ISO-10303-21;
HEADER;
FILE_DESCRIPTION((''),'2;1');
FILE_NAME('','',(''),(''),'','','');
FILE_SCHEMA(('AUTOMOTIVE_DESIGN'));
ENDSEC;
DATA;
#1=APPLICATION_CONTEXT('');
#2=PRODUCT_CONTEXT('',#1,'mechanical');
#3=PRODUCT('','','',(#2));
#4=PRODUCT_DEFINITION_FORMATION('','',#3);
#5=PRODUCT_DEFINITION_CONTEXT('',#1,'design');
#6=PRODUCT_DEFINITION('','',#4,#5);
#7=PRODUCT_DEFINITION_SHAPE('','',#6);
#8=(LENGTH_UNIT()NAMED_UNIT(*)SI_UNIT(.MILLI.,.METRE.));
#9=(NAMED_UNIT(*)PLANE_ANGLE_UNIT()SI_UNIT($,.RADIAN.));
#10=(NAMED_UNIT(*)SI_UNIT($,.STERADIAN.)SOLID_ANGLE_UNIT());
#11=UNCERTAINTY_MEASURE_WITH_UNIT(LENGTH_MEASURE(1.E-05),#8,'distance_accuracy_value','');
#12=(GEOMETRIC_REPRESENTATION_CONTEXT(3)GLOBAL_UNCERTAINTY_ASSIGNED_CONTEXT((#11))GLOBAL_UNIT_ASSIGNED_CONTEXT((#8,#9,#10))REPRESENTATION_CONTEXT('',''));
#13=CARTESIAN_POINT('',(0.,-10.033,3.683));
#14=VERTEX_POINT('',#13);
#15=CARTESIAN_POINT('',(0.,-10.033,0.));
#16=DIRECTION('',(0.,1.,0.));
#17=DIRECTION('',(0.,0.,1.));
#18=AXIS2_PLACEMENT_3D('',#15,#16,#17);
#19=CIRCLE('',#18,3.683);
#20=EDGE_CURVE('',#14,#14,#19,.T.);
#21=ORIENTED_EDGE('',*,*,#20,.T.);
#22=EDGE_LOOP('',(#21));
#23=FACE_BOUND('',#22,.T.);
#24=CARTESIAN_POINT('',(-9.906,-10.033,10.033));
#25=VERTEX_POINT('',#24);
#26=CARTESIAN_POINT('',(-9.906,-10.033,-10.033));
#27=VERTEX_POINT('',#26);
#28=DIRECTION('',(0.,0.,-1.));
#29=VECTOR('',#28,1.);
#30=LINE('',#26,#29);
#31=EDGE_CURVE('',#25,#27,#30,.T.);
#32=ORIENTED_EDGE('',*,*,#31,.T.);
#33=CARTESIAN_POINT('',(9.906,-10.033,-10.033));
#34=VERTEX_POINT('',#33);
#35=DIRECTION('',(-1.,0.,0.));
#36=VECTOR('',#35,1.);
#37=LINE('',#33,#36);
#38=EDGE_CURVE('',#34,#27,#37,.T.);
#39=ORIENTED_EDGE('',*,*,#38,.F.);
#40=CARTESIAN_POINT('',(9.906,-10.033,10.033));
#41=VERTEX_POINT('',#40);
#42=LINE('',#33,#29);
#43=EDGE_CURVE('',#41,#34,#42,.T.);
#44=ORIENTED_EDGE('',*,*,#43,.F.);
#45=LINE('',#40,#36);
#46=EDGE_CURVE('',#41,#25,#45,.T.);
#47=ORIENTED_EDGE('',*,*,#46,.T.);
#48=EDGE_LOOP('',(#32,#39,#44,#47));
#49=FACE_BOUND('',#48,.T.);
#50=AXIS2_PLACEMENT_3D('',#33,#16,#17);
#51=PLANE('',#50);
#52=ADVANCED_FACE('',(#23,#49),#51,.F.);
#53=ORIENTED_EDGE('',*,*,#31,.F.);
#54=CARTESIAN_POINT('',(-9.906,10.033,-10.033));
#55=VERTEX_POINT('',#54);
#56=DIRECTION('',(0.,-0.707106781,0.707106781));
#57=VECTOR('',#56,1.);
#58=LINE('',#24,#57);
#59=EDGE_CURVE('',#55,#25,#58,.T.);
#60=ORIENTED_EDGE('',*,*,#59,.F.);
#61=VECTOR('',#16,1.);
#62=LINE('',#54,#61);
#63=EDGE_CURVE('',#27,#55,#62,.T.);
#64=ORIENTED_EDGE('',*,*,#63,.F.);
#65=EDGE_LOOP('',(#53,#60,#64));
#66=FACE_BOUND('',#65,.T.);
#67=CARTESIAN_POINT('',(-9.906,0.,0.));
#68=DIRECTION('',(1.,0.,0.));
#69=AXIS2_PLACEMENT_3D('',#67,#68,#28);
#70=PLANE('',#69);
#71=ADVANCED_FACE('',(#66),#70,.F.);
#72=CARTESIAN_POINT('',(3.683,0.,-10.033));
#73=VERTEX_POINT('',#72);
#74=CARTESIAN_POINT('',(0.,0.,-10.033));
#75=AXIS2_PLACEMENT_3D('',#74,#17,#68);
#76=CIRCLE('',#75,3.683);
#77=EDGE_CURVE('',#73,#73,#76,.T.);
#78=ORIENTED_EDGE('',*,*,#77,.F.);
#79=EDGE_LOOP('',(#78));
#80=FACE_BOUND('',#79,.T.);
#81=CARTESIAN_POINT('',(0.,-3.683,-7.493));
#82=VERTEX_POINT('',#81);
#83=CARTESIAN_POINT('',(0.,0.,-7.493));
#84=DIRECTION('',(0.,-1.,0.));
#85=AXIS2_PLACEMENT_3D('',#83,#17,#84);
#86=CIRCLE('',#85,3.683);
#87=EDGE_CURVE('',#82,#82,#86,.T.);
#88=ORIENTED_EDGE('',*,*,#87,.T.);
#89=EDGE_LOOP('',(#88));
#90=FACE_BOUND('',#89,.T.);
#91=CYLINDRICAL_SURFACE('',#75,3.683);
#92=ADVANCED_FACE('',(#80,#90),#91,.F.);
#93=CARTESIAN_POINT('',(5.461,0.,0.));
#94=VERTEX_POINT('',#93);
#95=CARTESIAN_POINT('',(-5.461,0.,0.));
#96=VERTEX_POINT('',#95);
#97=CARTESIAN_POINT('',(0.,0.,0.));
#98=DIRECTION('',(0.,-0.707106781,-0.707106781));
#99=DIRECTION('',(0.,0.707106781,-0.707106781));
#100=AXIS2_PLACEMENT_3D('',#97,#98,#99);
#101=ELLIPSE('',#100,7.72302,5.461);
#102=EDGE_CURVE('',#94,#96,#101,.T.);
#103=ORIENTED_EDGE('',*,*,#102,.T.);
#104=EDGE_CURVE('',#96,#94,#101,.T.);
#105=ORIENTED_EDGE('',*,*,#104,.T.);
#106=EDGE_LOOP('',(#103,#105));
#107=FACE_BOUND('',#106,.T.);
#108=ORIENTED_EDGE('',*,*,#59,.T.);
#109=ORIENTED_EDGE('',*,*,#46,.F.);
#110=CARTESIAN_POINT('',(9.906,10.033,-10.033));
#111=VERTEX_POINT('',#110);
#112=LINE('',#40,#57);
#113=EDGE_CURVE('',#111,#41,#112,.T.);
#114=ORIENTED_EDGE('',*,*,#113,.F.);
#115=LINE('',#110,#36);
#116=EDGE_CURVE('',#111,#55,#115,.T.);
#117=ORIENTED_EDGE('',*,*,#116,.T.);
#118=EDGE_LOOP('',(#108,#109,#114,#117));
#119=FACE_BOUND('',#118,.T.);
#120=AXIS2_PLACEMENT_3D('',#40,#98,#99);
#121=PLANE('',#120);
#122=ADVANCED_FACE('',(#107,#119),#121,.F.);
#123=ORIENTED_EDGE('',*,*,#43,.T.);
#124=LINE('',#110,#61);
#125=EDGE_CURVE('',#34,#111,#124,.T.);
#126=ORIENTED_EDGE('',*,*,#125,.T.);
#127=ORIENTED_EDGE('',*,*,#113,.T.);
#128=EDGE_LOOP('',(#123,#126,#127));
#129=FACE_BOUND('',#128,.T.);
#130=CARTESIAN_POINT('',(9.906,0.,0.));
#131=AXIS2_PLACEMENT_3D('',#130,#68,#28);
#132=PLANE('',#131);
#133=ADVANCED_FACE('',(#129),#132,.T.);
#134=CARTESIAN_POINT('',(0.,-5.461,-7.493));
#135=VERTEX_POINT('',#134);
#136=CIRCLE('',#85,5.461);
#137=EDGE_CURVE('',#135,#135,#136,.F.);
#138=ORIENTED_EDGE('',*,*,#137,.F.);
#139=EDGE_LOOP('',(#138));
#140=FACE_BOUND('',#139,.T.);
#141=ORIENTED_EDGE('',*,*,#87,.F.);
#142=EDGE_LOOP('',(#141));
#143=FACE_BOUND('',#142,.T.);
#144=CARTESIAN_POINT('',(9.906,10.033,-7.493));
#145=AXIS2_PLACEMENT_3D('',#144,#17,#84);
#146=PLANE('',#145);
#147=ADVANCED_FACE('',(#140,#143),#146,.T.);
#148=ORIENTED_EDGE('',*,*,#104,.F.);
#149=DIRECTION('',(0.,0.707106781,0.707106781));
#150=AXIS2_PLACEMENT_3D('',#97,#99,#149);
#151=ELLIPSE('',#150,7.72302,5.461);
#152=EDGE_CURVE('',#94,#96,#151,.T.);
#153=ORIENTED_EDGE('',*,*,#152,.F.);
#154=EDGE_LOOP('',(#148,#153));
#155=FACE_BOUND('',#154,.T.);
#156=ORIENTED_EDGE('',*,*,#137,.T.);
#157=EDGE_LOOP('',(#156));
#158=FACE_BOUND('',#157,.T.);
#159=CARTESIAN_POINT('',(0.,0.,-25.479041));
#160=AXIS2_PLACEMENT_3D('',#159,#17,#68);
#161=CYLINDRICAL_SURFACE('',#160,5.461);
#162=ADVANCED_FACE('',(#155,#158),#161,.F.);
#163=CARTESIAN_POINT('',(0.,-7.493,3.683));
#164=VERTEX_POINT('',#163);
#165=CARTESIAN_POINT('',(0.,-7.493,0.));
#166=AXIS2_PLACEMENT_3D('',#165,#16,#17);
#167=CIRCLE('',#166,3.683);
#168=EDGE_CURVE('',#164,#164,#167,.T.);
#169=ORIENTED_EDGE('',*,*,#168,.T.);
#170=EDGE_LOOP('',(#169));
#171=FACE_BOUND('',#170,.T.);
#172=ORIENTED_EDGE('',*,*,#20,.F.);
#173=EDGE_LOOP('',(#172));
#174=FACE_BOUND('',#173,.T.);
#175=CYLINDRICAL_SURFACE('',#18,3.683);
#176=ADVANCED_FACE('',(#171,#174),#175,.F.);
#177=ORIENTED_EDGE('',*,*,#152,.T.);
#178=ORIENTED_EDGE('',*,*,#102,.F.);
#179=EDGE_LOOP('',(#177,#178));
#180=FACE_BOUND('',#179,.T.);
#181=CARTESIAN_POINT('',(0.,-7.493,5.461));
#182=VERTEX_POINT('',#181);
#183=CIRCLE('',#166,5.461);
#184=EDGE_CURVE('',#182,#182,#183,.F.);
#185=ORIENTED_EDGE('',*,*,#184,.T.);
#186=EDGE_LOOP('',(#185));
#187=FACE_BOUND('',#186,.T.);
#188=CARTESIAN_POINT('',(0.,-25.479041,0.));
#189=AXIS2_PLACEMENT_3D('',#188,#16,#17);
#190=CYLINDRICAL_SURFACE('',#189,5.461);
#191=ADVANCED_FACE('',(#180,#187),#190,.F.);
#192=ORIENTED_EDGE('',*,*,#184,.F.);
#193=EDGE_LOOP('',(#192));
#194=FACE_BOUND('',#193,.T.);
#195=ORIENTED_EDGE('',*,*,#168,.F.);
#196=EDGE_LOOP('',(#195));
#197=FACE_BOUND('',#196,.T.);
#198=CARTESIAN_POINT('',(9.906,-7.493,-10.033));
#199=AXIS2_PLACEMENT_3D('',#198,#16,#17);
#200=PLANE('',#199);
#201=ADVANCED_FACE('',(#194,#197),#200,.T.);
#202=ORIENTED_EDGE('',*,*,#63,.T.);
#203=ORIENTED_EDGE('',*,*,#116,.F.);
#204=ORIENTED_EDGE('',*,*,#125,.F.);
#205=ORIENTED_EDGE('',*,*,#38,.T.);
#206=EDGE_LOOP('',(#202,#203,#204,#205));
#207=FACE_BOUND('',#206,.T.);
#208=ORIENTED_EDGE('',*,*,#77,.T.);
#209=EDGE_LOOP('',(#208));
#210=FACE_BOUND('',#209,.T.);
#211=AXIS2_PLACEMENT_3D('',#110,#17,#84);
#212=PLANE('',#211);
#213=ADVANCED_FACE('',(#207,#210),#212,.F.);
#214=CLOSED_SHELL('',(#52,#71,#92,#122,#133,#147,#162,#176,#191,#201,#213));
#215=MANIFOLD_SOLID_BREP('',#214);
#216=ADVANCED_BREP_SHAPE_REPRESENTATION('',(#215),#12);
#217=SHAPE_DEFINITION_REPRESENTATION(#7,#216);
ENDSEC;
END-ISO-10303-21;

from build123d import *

# Parameters (mm, degrees)
BOSS_EXTRUDE1_DEPTH     = 9.906
CUT_EXTRUDE1_DEPTH      = 18.304652958
CUT_EXTRUDE1_DEPTH_BACK = 7.493
SKETCH2_R               = 5.461
SKETCH2_R_2             = 3.683
SKETCH2_3_R             = 3.683
CUT_EXTRUDE2_DEPTH      = 18.304652958
SKETCH3_R               = 5.461
SKETCH3_R_2             = 3.683
CUT_EXTRUDE3_DEPTH      = 7.493
SKETCH3_4_R             = 3.683
CUT_EXTRUDE4_DEPTH      = 18.304652958


with BuildPart() as part:
    # Sketch1 → Boss-Extrude1 (new, symmetric)
    with BuildSketch(Plane(origin=(0, 0, 0), x_dir=(0, 0, -1), z_dir=(1, 0, 0))):
        Polygon((-10.033, -10.033), (10.033, 10.033), (10.033, -10.033), align=None)
    extrude(amount=BOSS_EXTRUDE1_DEPTH, both=True)

    # Sketch2 → Cut-Extrude1 (cut, two sides: drawn at the far end of the back side and taken through both)
    # profile 1 of 2: a face of its own
    with BuildSketch(Plane(origin=(0, 0, 0), x_dir=(1, 0, 0), z_dir=(0, 1, 0)).offset(-CUT_EXTRUDE1_DEPTH_BACK)):
        with Locations(Location((0, 0, 0), (0, 0, 270))):
            Circle(SKETCH2_R)
        Circle(SKETCH2_R_2, mode=Mode.SUBTRACT)
    # profile 2 of 2: a face of its own
    with BuildSketch(Plane(origin=(0, 0, 0), x_dir=(1, 0, 0), z_dir=(0, 1, 0)).offset(-CUT_EXTRUDE1_DEPTH_BACK)):
        Circle(SKETCH2_R_2)
    extrude(amount=CUT_EXTRUDE1_DEPTH + CUT_EXTRUDE1_DEPTH_BACK, mode=Mode.SUBTRACT)

    # Sketch2<3> → Cut-Extrude2 (cut, through all)
    with BuildSketch(Plane(origin=(0, 0, 0), x_dir=(1, 0, 0), z_dir=(0, 1, 0))):
        with Locations(Location((0, 0, 0), (0, 0, 270))):
            Circle(SKETCH2_3_R)
    extrude(amount=-CUT_EXTRUDE2_DEPTH, mode=Mode.SUBTRACT)

    # Sketch3 → Cut-Extrude3 (cut)
    # profile 1 of 2: a face of its own
    with BuildSketch(Plane.XY):
        Circle(SKETCH3_R)
        Circle(SKETCH3_R_2, mode=Mode.SUBTRACT)
    # profile 2 of 2: a face of its own
    with BuildSketch(Plane.XY):
        Circle(SKETCH3_R_2)
    extrude(amount=-CUT_EXTRUDE3_DEPTH, mode=Mode.SUBTRACT)

    # Sketch3<4> → Cut-Extrude4 (cut, through all)
    with BuildSketch(Plane.XY):
        Circle(SKETCH3_4_R)
    extrude(amount=-CUT_EXTRUDE4_DEPTH, mode=Mode.SUBTRACT)


solid = part.part
